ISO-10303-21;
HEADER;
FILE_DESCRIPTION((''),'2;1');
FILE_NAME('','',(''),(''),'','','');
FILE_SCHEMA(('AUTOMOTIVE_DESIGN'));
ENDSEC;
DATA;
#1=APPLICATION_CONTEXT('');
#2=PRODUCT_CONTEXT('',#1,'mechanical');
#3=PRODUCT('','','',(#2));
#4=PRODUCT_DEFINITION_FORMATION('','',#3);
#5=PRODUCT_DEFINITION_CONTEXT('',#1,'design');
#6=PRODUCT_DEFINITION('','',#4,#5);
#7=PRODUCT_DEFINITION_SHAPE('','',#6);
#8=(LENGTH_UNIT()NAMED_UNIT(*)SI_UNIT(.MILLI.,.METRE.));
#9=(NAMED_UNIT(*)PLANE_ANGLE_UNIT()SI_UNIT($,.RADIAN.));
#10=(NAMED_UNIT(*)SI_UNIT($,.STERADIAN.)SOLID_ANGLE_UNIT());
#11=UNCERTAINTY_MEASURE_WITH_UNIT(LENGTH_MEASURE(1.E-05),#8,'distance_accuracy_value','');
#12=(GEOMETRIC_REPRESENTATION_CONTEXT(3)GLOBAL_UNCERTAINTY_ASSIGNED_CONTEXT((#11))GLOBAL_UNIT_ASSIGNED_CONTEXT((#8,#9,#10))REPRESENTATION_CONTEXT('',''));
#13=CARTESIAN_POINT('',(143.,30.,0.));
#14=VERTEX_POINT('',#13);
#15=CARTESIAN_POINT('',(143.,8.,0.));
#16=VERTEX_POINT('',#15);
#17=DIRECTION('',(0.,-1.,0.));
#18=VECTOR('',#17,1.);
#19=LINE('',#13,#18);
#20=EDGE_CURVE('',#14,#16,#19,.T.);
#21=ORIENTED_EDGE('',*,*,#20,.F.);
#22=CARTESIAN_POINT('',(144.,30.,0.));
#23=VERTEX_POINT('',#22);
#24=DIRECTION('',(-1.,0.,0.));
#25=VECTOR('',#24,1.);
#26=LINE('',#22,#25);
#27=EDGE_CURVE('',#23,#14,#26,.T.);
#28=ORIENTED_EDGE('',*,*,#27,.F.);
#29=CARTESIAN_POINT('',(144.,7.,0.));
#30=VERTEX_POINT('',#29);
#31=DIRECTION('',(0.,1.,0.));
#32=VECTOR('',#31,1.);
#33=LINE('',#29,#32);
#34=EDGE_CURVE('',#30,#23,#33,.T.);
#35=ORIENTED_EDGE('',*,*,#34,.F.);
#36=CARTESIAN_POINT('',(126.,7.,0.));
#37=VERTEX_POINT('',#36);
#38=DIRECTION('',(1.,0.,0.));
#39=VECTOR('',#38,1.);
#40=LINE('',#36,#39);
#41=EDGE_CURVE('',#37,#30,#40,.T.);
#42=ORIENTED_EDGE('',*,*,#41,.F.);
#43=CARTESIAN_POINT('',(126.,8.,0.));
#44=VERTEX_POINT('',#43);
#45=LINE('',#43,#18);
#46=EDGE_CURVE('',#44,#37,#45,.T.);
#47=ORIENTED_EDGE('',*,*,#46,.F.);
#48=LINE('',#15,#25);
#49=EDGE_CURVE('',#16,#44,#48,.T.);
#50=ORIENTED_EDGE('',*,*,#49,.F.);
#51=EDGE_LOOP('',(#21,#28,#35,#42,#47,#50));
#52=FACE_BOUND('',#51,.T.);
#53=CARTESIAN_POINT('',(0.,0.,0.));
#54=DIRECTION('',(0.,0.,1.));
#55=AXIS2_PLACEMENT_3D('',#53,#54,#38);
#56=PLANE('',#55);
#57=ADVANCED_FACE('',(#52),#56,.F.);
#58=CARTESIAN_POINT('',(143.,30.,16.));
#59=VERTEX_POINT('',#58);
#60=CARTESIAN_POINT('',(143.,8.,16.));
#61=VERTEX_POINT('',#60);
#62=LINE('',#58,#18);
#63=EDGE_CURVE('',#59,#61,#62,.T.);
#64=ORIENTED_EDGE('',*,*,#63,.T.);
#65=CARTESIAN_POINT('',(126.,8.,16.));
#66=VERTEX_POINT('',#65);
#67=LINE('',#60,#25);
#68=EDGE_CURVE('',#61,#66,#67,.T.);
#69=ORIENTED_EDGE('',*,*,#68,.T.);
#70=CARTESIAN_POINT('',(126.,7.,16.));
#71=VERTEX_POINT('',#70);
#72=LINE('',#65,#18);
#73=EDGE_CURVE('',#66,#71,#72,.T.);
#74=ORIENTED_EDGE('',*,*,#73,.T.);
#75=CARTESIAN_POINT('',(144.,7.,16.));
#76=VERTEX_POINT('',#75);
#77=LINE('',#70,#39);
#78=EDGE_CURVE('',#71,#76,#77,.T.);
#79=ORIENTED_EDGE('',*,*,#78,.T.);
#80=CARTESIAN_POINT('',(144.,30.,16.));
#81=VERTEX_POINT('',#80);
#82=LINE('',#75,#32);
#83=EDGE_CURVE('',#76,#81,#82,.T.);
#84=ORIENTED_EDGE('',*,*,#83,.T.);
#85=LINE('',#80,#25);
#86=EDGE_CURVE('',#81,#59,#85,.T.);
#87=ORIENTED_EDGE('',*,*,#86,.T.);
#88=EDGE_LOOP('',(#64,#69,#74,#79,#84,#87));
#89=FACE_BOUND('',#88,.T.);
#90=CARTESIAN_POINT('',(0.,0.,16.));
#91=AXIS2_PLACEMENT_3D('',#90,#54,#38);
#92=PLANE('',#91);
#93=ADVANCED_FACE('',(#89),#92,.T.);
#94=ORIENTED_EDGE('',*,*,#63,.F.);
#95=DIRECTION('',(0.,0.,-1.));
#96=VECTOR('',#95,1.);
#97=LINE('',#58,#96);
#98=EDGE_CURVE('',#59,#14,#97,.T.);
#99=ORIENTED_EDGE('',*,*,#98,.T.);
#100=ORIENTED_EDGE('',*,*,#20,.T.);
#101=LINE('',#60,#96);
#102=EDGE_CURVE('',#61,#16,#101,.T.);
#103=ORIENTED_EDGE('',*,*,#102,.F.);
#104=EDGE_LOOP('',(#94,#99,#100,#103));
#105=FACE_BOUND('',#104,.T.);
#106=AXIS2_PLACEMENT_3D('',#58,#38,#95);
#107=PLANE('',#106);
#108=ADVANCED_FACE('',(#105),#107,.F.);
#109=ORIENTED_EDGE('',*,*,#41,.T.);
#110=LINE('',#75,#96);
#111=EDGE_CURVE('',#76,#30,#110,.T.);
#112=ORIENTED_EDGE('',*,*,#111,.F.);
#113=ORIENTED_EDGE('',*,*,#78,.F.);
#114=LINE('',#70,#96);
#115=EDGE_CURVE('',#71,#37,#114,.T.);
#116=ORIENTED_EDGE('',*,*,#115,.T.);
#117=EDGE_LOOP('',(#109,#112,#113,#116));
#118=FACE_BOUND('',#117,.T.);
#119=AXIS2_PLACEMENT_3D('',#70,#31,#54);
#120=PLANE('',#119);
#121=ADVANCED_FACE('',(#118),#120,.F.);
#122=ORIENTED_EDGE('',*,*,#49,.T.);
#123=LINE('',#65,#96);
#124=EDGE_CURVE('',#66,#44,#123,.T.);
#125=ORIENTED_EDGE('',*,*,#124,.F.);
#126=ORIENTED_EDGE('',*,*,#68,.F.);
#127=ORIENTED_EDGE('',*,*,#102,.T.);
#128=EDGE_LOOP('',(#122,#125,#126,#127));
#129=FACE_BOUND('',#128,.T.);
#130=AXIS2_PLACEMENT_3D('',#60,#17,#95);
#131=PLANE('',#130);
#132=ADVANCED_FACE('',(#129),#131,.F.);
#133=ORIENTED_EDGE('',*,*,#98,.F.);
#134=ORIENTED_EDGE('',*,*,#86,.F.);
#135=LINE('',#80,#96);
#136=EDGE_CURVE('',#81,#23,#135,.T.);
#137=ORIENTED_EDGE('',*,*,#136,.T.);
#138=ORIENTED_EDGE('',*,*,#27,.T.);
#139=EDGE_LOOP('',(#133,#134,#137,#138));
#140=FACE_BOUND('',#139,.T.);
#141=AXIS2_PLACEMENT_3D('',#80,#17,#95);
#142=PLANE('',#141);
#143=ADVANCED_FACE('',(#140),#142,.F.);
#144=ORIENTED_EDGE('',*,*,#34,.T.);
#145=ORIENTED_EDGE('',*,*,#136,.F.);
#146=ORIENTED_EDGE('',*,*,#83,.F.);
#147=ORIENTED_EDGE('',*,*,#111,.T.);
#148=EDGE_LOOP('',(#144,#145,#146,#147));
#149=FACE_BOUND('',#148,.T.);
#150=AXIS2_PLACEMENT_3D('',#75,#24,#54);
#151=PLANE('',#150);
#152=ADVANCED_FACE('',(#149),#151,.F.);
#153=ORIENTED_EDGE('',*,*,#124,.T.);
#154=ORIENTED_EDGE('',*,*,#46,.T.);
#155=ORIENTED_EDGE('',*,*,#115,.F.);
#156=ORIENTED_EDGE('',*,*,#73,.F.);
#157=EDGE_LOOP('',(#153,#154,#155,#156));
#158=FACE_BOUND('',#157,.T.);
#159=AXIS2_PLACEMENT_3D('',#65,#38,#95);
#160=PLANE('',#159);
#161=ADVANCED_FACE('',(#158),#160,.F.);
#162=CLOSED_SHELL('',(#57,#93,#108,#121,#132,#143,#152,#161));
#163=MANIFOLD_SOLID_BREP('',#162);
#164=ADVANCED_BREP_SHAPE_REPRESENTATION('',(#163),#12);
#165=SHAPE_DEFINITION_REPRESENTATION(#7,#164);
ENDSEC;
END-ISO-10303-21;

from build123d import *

# Parameters (mm, degrees)
L_ANGLE_LOAD_PATH_DEPTH = 16


with BuildPart() as part:
    # L angle load path profile → L angle load path (new body)
    with BuildSketch(Plane.XY):
        Polygon((126, 7), (144, 7), (144, 30), (143, 30), (143, 8), (126, 8), align=None)
    extrude(amount=L_ANGLE_LOAD_PATH_DEPTH)


solid = part.part
